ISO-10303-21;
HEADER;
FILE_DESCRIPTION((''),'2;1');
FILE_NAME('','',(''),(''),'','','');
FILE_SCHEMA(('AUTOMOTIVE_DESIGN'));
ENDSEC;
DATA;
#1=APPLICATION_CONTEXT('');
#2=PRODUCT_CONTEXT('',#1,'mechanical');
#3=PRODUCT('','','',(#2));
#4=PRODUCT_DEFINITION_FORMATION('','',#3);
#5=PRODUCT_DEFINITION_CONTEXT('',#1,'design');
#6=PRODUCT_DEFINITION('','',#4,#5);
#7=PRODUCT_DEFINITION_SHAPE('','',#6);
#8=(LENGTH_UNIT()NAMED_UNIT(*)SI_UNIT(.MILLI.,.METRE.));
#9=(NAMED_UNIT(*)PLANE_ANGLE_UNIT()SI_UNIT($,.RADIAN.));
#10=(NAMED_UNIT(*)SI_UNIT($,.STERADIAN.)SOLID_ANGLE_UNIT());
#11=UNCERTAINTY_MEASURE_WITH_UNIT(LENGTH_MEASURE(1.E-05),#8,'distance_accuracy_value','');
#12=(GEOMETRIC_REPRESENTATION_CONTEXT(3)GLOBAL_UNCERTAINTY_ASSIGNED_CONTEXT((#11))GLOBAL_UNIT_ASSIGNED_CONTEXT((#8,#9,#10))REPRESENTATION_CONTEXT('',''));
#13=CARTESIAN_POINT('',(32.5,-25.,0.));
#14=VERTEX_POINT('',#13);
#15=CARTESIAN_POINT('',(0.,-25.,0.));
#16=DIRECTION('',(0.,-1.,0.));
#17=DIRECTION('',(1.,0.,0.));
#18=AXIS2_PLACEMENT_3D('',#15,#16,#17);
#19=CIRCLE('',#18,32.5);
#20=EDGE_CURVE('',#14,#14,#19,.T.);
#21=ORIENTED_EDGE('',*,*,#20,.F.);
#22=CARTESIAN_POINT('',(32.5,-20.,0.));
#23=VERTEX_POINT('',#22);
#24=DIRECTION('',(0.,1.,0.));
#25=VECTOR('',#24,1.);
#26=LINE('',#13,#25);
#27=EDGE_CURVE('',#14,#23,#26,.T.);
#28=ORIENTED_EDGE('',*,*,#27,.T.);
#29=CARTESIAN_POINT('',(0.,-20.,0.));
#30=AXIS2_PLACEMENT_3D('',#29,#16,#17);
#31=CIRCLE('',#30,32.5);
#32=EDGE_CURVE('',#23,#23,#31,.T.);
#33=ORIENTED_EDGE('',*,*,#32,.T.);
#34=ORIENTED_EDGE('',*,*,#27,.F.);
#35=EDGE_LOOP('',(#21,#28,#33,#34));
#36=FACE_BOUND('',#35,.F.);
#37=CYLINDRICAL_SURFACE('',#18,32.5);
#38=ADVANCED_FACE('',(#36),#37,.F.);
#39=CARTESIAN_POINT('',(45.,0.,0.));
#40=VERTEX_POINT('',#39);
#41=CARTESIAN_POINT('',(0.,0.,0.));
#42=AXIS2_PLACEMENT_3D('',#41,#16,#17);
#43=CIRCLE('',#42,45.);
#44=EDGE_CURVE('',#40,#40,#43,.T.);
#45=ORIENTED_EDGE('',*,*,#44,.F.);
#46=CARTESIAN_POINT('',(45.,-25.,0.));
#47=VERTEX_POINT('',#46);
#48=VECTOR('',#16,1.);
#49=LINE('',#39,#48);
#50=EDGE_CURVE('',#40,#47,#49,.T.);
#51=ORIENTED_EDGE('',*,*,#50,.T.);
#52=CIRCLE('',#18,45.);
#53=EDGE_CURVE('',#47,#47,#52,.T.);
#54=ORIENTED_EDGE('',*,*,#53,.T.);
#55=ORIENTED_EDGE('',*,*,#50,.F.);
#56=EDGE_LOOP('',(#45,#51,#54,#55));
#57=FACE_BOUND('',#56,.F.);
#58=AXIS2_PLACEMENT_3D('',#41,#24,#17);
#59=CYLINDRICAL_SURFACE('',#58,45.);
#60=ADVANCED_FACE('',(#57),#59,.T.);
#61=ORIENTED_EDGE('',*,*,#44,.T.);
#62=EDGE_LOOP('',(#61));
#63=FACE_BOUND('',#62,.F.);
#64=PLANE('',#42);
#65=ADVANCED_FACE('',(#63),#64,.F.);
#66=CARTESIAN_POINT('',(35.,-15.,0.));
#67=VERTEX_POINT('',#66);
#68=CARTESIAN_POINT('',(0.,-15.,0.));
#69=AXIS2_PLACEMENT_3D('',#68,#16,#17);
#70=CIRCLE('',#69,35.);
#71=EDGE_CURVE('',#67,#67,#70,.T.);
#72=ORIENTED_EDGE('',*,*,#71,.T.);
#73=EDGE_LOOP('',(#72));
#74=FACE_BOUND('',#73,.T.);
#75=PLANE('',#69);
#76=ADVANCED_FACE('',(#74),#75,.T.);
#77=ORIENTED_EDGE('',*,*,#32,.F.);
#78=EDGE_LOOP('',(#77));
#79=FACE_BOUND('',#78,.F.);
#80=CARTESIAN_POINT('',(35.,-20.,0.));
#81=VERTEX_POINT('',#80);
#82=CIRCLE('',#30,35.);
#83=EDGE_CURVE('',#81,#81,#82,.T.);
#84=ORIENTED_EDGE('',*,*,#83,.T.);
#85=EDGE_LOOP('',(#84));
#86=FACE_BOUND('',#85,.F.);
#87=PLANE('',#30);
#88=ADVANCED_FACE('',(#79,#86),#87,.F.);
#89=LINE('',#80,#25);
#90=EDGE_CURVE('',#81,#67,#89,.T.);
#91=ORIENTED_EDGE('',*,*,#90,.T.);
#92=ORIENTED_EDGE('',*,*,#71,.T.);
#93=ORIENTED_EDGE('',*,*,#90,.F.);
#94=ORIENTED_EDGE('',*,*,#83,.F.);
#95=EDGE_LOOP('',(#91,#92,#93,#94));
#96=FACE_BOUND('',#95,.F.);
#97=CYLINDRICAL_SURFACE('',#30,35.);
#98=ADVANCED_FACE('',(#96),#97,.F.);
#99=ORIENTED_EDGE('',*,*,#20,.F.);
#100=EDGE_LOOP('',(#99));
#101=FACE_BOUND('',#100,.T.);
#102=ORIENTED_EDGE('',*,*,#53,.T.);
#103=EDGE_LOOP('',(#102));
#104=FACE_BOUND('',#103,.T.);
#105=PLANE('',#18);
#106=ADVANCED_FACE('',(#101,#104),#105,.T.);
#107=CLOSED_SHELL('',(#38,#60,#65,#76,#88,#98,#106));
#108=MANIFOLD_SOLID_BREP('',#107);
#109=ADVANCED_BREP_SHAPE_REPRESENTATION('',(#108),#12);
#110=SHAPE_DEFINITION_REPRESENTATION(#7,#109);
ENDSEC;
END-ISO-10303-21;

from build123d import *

# Parameters (mm, degrees)
F0_R     = 45
F1_DEPTH = 25
F2_R     = 32.5
F3_DEPTH = 10
F5_R     = 35
F5_R_2   = 32.5
F6_DEPTH = 5


with BuildPart() as f1:
    # F0 (on Front) → F1 (new body)
    with BuildSketch(Plane.XZ):
        Circle(F0_R)
    extrude(amount=F1_DEPTH)

    # F2 (on face) → F3 (cut)
    with BuildSketch(Plane.XZ.offset(25)):
        Circle(F2_R)
    extrude(amount=-F3_DEPTH, mode=Mode.SUBTRACT)

    # F5 (on offset) → F6 (cut)
    with BuildSketch(Plane.XZ.offset(20)):
        Circle(F5_R)
        Circle(F5_R_2, mode=Mode.SUBTRACT)
    extrude(amount=-F6_DEPTH, mode=Mode.SUBTRACT)


solid = f1.part
